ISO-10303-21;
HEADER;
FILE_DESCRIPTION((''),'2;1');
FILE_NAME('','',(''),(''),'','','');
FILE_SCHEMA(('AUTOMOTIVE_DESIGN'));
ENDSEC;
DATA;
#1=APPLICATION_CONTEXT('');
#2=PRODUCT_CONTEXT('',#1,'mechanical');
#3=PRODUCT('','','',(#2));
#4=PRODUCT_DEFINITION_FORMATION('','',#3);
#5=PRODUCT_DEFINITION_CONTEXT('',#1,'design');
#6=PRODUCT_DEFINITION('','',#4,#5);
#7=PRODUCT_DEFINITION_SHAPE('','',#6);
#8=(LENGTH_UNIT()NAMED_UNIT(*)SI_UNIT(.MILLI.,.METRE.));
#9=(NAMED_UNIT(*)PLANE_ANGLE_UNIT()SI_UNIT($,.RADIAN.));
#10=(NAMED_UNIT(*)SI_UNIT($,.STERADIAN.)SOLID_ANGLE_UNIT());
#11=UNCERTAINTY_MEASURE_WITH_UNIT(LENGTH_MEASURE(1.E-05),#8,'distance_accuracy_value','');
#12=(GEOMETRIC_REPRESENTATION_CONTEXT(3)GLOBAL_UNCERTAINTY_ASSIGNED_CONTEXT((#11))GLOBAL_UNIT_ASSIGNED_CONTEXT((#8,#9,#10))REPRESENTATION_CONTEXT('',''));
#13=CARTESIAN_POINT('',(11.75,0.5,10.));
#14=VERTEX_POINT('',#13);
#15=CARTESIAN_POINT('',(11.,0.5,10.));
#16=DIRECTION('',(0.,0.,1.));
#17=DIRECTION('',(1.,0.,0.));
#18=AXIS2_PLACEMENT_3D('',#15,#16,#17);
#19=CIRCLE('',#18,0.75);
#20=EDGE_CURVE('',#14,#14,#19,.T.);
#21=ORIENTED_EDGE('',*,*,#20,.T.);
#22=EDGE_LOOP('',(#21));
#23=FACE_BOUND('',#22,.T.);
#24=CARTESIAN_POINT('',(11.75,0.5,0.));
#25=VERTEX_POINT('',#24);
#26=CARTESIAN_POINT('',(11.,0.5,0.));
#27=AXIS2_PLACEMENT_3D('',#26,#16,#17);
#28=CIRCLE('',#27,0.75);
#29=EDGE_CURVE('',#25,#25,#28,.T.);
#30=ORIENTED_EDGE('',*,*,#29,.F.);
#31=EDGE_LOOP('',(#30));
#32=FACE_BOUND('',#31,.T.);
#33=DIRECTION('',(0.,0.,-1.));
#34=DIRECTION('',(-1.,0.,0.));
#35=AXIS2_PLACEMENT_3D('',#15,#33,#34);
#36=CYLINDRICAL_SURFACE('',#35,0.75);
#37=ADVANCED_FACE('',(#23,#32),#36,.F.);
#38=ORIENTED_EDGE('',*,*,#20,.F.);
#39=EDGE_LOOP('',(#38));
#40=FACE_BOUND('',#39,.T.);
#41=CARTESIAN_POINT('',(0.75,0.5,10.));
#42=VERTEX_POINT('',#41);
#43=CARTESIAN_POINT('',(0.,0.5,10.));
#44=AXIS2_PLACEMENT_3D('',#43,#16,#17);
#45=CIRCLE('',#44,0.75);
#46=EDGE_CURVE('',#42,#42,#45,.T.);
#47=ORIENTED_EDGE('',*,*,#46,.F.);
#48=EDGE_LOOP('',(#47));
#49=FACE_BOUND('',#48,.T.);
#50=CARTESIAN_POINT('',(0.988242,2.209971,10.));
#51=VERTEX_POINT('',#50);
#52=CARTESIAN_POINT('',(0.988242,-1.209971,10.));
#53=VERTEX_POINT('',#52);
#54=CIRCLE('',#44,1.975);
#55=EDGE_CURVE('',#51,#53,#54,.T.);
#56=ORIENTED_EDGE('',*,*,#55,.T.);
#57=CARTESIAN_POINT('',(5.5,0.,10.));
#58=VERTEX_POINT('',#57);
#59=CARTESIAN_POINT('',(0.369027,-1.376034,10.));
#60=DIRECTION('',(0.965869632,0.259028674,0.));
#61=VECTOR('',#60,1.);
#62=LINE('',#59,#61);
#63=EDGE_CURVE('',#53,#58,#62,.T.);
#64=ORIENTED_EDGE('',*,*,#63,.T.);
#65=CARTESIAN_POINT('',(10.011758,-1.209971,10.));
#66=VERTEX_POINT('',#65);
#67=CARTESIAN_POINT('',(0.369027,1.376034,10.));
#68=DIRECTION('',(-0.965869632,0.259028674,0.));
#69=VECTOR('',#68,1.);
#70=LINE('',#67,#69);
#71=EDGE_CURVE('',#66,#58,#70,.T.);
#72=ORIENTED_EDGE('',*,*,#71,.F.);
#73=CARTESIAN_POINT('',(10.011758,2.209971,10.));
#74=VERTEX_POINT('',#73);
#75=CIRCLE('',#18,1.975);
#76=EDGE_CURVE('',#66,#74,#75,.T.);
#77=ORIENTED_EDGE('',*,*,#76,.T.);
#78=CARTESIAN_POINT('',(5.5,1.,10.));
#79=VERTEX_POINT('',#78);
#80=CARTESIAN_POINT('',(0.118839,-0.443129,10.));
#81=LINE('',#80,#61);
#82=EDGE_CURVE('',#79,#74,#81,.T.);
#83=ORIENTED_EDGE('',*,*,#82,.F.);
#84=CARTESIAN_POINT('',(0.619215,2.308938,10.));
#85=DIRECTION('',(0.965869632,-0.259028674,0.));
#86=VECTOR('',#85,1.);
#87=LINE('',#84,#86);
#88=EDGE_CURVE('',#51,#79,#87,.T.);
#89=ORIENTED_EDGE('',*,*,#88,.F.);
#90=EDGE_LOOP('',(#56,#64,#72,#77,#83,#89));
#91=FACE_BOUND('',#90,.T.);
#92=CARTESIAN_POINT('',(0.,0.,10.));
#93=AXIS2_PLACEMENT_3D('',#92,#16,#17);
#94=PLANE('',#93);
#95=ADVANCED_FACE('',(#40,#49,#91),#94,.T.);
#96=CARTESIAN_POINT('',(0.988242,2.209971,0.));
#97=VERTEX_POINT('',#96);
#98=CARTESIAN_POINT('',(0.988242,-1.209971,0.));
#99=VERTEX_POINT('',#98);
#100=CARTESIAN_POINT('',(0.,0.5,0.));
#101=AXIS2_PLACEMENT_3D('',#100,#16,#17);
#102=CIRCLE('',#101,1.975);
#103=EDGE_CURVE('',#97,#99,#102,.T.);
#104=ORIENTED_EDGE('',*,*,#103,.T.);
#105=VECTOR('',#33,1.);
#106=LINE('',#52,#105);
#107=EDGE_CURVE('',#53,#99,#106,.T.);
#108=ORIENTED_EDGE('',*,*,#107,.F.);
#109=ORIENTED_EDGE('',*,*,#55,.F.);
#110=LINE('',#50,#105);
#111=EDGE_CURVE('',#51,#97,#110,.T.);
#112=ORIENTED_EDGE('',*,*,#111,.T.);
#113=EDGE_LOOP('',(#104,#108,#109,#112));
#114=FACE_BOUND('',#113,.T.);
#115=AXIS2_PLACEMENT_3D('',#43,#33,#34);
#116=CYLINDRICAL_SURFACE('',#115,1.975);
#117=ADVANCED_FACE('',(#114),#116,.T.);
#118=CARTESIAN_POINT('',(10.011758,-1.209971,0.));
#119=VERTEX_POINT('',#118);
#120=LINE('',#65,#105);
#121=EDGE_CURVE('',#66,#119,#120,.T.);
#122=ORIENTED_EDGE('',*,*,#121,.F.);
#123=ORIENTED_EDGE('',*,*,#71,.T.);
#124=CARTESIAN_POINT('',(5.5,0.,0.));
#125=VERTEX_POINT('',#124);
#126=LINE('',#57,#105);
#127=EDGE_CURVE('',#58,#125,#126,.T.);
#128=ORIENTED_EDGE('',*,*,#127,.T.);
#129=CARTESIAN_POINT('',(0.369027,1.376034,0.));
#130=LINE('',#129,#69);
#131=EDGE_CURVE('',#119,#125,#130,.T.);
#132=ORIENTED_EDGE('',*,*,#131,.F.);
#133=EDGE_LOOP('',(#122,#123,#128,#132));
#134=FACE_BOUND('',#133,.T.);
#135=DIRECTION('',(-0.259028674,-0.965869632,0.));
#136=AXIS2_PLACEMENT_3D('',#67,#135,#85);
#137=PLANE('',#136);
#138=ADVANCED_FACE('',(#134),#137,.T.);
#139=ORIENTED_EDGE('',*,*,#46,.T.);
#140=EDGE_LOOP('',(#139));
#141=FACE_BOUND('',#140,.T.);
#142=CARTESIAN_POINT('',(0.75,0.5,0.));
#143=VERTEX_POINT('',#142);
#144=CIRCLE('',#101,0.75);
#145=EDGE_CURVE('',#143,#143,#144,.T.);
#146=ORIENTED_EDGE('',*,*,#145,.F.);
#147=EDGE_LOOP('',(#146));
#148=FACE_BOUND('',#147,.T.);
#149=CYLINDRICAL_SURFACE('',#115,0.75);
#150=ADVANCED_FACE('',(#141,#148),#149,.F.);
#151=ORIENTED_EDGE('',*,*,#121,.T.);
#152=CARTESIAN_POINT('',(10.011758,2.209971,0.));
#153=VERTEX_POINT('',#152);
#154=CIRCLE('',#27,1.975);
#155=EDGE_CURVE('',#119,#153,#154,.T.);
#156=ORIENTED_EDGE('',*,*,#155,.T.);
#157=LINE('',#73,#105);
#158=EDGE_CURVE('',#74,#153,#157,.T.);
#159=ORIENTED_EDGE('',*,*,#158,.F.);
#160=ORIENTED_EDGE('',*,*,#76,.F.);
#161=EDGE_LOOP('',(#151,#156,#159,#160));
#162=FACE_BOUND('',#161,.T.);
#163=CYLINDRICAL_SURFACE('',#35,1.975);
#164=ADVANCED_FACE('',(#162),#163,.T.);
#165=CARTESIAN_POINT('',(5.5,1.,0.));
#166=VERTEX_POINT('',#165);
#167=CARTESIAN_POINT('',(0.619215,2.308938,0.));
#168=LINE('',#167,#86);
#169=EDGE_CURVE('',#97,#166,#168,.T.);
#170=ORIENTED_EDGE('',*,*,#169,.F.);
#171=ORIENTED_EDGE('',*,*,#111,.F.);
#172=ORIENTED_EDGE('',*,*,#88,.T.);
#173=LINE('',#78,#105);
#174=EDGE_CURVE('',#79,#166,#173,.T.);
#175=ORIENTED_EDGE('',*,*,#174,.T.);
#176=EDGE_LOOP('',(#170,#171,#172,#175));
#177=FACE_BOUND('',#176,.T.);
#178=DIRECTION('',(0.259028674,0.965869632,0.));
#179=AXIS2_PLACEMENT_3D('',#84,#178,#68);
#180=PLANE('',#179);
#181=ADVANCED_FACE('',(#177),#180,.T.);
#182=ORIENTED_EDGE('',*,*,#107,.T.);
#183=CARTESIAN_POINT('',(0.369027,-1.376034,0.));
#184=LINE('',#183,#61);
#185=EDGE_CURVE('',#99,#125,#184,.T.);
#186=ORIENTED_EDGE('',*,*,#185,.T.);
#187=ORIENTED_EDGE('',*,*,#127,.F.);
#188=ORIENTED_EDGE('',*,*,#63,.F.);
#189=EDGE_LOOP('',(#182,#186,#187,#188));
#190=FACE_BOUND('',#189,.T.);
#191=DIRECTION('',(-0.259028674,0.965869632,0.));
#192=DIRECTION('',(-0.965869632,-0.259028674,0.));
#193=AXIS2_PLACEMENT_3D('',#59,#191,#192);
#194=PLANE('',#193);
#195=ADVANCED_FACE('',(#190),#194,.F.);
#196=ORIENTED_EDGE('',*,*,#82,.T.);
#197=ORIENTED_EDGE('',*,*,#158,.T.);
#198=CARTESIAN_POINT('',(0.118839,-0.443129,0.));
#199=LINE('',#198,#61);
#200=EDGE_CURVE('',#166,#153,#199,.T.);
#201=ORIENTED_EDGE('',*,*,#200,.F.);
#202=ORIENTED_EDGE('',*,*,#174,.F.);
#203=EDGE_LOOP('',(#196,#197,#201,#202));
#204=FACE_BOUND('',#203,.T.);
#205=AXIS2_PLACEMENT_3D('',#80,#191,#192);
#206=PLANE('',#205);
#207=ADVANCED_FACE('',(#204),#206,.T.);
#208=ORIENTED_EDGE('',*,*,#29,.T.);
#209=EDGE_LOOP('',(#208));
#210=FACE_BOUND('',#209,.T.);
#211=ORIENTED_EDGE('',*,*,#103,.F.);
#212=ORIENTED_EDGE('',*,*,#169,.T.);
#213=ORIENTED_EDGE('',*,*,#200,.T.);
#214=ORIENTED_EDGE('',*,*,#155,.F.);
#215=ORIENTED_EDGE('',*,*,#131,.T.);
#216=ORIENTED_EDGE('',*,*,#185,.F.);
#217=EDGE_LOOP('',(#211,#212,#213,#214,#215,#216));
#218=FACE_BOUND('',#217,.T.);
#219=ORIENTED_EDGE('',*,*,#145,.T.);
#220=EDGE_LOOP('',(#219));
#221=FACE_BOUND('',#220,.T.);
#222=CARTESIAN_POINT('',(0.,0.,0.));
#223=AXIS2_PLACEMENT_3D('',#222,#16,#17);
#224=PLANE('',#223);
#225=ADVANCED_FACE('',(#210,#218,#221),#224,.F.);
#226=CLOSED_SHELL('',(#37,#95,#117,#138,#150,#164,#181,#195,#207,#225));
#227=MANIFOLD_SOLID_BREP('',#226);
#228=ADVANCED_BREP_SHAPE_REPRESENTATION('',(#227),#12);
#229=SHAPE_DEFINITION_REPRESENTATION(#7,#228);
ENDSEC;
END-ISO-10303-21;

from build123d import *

# Parameters (mm, degrees)
SKETCH1_R           = 0.75
BOSS_EXTRUDE1_DEPTH = 10


with BuildPart() as part:
    # Sketch1 → Boss-Extrude1 (new body)
    with BuildSketch(Plane.XY):
        with BuildLine():
            Line((10.011757676, 2.209971377), (5.5, 1))
            Line((5.5, 1), (0.988242324, 2.209971377))
            ThreePointArc((0.988242324, 2.209971377), (-1.975, 0.5), (0.988242324, -1.209971377))
            Line((0.988242324, -1.209971377), (5.5, 0))
            Line((5.5, 0), (10.011757676, -1.209971377))
            ThreePointArc((10.011757676, -1.209971377), (12.975, 0.5), (10.011757676, 2.209971377))
        make_face()
        with Locations((0, 0.5)):
            Circle(SKETCH1_R, mode=Mode.SUBTRACT)
        with Locations((11, 0.5)):
            Circle(SKETCH1_R, mode=Mode.SUBTRACT)
    extrude(amount=BOSS_EXTRUDE1_DEPTH)


solid = part.part
